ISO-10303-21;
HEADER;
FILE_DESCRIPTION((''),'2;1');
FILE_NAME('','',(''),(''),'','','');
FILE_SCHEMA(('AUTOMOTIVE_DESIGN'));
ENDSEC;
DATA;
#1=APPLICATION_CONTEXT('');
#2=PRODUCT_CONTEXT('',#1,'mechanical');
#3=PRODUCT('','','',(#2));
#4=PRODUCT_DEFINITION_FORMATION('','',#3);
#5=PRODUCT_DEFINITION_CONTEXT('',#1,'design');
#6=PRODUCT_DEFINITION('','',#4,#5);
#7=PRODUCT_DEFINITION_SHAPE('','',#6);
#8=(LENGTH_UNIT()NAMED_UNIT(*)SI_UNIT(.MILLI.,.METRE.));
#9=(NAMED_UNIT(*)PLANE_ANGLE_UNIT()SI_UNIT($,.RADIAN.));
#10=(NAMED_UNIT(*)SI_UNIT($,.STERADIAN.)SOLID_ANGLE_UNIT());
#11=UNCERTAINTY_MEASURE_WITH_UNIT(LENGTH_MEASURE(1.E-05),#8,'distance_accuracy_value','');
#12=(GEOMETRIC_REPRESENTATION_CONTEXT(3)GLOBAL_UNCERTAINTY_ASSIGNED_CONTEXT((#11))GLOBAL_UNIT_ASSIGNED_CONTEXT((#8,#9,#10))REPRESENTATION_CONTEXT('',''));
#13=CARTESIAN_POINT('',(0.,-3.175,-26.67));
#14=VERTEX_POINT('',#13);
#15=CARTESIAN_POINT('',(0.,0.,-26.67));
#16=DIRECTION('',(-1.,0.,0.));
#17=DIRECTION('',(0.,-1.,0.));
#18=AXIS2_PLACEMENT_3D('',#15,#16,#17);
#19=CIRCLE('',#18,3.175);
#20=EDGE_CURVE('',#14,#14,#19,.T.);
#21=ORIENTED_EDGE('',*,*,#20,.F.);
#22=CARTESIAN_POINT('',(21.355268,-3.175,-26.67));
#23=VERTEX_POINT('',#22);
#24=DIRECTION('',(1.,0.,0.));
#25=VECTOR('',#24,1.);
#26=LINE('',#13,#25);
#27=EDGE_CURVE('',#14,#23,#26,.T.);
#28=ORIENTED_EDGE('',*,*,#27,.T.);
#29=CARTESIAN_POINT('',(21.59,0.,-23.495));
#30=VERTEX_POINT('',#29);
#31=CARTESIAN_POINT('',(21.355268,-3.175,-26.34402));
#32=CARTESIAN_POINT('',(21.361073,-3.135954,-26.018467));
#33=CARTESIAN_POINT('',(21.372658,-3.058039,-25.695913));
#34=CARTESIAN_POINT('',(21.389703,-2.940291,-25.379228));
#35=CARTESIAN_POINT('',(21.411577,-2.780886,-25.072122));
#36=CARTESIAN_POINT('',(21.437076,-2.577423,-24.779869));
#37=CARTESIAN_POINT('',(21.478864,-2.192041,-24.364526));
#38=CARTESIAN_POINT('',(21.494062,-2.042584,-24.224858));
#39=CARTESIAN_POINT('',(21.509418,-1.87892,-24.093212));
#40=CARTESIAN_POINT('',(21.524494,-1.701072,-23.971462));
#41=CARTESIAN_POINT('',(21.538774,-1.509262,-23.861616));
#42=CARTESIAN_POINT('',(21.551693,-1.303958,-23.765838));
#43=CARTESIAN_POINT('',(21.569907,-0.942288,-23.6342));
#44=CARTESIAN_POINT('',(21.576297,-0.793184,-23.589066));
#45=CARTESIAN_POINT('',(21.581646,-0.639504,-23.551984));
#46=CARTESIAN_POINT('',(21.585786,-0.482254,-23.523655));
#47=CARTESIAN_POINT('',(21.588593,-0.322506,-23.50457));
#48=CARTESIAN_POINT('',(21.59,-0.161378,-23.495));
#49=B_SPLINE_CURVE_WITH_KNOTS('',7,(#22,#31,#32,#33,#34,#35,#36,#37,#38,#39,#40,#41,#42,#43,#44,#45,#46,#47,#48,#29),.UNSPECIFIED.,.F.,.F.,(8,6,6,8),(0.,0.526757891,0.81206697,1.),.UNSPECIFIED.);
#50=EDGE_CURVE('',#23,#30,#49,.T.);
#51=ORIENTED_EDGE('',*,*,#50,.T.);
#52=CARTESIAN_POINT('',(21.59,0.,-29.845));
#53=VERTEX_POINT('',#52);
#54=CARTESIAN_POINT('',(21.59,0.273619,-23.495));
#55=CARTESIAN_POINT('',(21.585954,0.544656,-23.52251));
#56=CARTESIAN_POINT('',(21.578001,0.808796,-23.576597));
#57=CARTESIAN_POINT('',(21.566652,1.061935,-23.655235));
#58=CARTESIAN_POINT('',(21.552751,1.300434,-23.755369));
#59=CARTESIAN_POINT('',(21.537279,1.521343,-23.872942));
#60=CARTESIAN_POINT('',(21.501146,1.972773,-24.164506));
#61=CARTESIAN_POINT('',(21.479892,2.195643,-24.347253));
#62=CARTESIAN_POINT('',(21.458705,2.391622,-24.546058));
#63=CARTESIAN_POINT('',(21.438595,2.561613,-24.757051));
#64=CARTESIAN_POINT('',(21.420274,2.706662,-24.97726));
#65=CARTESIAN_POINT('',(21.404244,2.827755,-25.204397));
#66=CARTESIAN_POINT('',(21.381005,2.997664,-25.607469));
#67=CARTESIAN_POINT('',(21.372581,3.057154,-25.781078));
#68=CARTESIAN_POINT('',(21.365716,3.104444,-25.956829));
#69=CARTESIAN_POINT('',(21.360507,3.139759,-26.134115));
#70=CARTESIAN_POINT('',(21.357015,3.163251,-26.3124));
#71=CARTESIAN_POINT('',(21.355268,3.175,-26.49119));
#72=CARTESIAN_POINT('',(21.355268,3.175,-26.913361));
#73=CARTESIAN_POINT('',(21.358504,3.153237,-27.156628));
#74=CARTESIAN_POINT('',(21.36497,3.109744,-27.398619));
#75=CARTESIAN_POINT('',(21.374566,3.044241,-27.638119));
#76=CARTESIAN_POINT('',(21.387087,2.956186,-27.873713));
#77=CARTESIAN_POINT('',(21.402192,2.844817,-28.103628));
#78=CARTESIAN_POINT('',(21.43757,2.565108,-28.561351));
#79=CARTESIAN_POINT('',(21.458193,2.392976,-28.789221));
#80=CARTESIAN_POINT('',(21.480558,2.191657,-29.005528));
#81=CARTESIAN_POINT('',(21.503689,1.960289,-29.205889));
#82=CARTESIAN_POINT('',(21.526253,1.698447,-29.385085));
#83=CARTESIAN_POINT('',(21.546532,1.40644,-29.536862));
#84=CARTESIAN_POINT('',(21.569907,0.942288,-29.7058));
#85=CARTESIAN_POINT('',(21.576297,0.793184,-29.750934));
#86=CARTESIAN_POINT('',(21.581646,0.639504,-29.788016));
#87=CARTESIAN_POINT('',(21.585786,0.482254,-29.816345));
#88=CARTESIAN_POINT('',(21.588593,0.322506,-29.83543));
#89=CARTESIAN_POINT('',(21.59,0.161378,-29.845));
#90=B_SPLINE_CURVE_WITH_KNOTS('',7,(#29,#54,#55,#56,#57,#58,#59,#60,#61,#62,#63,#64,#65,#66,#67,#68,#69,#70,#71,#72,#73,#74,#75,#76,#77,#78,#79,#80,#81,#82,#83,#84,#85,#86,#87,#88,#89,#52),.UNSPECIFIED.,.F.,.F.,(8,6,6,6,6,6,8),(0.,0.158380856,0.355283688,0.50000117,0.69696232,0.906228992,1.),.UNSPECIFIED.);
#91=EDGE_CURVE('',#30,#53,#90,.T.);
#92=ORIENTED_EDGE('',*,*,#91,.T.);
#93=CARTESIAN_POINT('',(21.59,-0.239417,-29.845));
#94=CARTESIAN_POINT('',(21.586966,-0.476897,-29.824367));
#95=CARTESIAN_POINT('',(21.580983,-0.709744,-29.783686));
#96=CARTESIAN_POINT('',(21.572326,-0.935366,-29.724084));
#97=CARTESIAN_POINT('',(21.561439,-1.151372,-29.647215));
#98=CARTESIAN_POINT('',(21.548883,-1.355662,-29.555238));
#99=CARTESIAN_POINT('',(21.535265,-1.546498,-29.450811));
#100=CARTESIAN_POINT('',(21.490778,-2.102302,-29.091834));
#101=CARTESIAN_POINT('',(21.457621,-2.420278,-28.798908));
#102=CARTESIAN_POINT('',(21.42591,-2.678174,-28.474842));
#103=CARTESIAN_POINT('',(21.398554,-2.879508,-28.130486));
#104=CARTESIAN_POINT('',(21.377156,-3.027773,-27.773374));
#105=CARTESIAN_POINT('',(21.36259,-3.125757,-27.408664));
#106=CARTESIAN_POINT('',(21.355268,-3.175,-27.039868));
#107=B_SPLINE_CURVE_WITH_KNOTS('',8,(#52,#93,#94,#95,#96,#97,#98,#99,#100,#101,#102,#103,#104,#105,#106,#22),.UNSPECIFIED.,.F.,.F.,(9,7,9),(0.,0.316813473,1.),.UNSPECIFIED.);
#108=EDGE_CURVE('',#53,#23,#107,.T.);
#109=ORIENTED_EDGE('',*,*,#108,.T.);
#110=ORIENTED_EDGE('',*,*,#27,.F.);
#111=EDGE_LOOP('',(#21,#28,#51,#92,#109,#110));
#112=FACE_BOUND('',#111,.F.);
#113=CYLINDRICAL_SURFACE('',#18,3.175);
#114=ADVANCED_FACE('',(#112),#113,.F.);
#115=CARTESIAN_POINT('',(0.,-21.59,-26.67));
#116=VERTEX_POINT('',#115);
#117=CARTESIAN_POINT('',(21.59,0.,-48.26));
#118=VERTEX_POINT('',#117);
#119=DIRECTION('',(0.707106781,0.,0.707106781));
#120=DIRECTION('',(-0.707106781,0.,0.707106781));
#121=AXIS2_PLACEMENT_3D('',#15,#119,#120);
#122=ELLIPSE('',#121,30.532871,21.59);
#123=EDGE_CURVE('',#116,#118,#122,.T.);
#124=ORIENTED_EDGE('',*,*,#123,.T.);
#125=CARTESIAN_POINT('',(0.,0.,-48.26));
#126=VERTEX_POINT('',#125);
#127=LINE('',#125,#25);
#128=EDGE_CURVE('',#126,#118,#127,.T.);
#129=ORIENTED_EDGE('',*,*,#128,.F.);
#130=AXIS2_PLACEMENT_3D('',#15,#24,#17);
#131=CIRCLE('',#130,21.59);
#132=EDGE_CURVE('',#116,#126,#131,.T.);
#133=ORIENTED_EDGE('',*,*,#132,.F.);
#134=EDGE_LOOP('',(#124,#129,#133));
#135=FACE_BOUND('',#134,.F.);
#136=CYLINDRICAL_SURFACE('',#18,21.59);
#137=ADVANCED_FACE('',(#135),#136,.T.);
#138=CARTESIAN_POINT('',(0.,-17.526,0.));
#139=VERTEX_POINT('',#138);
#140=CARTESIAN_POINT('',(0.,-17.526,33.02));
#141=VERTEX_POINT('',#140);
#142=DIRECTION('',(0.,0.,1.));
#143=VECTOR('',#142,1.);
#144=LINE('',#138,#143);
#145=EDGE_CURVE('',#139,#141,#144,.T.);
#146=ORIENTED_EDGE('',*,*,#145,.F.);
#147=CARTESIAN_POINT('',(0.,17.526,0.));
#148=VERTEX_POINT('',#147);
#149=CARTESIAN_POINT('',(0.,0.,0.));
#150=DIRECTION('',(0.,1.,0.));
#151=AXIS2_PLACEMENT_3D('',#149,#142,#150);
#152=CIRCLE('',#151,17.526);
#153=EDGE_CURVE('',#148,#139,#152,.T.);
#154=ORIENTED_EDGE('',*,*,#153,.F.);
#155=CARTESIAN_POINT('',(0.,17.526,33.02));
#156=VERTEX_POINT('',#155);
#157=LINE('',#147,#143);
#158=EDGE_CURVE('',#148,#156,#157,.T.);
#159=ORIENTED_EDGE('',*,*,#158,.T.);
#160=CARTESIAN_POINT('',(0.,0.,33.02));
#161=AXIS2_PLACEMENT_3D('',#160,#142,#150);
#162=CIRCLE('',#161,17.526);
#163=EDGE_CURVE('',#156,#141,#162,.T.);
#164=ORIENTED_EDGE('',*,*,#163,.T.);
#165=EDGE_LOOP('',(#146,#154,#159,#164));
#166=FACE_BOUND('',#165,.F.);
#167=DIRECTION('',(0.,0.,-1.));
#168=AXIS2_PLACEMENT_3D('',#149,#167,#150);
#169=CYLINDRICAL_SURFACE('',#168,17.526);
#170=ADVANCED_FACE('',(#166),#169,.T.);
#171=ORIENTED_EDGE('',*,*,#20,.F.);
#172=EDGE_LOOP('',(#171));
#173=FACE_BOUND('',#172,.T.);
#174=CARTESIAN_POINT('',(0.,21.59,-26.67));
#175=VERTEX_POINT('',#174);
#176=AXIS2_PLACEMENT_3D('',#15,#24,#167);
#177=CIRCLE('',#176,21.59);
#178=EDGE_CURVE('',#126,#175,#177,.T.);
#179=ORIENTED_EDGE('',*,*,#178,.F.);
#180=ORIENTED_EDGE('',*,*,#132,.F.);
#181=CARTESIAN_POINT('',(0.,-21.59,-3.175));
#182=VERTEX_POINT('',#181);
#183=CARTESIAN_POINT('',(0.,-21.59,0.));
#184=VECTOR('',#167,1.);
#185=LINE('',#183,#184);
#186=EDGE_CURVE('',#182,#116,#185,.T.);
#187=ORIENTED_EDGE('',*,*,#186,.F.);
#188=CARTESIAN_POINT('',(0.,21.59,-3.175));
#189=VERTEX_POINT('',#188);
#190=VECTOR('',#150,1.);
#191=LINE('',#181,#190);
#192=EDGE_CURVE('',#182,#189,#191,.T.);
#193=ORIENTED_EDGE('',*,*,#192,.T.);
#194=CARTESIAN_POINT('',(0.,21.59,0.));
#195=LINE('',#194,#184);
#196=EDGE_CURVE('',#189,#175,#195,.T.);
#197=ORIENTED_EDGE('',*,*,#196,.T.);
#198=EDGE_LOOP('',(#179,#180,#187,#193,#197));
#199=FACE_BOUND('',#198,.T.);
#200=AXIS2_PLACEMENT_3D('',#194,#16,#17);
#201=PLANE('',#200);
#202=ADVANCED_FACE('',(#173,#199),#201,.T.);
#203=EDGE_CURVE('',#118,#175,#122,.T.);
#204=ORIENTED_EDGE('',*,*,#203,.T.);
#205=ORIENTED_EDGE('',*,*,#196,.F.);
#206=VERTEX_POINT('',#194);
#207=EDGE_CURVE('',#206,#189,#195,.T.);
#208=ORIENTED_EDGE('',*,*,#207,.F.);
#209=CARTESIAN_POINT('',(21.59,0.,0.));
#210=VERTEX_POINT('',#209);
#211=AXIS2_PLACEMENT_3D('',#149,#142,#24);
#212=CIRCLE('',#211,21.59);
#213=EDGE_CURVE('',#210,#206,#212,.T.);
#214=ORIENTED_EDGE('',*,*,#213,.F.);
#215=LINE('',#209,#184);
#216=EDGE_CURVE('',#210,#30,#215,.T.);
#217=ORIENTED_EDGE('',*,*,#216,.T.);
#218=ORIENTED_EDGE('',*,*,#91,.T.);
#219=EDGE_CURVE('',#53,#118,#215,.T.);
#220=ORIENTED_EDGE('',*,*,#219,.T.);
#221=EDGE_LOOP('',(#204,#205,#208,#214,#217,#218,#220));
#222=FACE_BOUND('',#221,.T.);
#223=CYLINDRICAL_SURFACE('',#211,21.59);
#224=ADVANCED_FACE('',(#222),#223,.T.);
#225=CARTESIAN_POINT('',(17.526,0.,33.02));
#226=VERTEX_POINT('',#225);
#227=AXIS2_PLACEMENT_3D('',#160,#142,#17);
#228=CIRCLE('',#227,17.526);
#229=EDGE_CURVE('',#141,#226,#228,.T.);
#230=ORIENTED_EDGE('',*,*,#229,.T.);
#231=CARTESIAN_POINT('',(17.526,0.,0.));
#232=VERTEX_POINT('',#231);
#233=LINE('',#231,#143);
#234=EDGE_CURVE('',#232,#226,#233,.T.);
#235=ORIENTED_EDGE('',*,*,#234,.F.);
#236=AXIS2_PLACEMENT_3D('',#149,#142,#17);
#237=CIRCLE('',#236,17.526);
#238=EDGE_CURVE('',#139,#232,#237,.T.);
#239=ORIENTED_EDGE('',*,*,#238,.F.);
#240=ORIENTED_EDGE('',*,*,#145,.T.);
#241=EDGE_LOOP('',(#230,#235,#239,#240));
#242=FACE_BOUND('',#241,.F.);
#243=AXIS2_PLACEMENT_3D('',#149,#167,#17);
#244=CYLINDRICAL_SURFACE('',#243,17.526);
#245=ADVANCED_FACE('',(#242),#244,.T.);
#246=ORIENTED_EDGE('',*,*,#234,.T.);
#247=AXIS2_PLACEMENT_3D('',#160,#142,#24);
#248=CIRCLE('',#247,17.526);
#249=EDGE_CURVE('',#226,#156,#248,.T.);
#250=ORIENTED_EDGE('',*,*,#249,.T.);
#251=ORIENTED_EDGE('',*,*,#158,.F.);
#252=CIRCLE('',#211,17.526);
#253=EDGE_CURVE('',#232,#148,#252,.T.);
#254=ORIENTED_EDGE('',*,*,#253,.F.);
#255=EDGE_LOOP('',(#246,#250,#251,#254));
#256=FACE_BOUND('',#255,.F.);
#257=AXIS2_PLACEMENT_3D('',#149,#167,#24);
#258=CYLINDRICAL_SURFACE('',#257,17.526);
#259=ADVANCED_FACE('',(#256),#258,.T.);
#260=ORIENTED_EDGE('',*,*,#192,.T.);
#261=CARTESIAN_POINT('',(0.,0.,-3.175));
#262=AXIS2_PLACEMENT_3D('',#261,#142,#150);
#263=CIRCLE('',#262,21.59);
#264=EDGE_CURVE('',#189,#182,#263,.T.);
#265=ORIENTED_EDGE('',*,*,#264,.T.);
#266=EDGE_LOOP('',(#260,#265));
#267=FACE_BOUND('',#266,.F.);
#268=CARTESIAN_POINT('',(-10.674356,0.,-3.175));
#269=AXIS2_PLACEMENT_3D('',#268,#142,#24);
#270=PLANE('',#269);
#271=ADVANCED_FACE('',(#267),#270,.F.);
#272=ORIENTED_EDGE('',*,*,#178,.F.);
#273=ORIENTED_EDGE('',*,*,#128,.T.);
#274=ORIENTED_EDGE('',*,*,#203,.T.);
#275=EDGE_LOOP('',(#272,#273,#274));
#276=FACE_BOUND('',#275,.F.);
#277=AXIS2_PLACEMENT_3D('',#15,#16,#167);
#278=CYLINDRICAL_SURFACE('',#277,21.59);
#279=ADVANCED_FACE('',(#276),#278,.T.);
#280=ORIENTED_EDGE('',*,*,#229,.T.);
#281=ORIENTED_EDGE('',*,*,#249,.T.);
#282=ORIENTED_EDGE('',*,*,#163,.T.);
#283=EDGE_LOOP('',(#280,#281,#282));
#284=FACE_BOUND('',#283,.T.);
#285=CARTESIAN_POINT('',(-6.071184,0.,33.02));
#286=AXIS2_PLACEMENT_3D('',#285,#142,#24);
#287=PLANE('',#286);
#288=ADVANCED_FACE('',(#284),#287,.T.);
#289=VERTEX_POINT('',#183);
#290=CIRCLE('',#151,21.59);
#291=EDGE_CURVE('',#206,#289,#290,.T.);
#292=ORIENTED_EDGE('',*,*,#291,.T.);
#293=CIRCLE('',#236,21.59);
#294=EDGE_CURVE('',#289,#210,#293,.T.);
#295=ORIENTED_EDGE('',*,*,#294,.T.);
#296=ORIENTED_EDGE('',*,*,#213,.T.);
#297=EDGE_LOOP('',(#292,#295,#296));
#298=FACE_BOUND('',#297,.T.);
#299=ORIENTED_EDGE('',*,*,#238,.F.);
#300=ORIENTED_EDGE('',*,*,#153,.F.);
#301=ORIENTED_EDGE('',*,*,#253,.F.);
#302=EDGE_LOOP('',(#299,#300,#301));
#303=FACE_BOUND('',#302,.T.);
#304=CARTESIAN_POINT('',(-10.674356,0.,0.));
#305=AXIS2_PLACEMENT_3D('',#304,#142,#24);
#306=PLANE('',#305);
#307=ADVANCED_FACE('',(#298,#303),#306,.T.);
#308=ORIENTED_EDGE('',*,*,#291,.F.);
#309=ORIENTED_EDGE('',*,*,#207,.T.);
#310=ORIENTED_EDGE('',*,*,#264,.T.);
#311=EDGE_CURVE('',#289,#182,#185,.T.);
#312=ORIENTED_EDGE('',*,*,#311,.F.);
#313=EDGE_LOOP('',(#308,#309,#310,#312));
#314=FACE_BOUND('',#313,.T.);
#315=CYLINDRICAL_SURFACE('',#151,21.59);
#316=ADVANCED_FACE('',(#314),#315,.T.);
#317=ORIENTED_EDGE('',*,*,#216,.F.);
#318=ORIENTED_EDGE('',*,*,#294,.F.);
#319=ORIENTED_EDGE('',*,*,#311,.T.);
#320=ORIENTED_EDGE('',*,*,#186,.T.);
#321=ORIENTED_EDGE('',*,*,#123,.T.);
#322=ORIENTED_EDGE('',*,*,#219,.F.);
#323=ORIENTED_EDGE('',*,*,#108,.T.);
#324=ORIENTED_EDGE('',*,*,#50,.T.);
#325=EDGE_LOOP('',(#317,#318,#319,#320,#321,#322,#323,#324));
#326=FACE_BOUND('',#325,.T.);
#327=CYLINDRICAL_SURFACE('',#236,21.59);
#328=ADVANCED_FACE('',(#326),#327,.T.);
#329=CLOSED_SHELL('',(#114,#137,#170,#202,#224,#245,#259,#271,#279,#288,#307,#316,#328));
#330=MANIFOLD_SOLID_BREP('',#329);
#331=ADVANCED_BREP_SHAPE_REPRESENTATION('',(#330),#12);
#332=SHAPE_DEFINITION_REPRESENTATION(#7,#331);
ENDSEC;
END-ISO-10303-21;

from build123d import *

# Parameters (mm, degrees)
F1_DEPTH = 33.02
F2_DEPTH = 48.26
F3_DEPTH = 3.175
F5_DEPTH = 21.591


with BuildPart() as f1:
    # F0 (on Top) → F1 (new body)
    with BuildSketch(Plane.XY):
        with BuildLine():
            Line((0, -17.526), (0, 17.526))
            ThreePointArc((0, 17.526), (-17.526, 0), (0, -17.526))
        make_face()
        with BuildLine():
            ThreePointArc((0, -17.526), (12.3927534471, -12.3927534471), (17.526, 0))
            ThreePointArc((17.526, 0), (12.3927534471, 12.3927534471), (0, 17.526))
            Line((0, 17.526), (0, -17.526))
        make_face()
    extrude(amount=F1_DEPTH)

    # F0 (on Top) → F2 (join)
    with BuildSketch(Plane.XY):
        with BuildLine():
            ThreePointArc((0, -17.526), (12.3927534471, -12.3927534471), (17.526, 0))
            ThreePointArc((17.526, 0), (12.3927534471, 12.3927534471), (0, 17.526))
            Line((0, 17.526), (0, -17.526))
        make_face()
        with BuildLine():
            ThreePointArc((0, 17.526), (12.3927534471, 12.3927534471), (17.526, 0))
            ThreePointArc((17.526, 0), (12.3927534471, -12.3927534471), (0, -17.526))
            Line((0, -17.526), (0, -21.59))
            ThreePointArc((0, -21.59), (15.2664354058, -15.2664354058), (21.59, 0))
            ThreePointArc((21.59, 0), (15.2664354058, 15.2664354058), (0, 21.59))
            Line((0, 21.59), (0, 17.526))
        make_face()
    extrude(amount=-F2_DEPTH)

    # F0 (on Top) → F3 (join)
    with BuildSketch(Plane.XY):
        with BuildLine():
            ThreePointArc((0, -17.526), (-17.526, 0), (0, 17.526))
            Line((0, 17.526), (0, 21.59))
            ThreePointArc((0, 21.59), (-21.59, 0), (0, -21.59))
            Line((0, -21.59), (0, -17.526))
        make_face()
        with BuildLine():
            Line((0, -17.526), (0, 17.526))
            ThreePointArc((0, 17.526), (-17.526, 0), (0, -17.526))
        make_face()
    extrude(amount=-F3_DEPTH)

    # F4 (on face) → F5 (cut, through all)
    with BuildSketch(Plane(origin=(0, 0, 0), x_dir=(0, -1, 0), z_dir=(-1, 0, 0))):
        with BuildLine():
            ThreePointArc((-3.175, -26.67), (0, -29.845), (3.175, -26.67))
            Line((3.175, -26.67), (-3.175, -26.67))
        make_face()
        with BuildLine():
            Line((-3.175, -26.67), (3.175, -26.67))
            ThreePointArc((3.175, -26.67), (0, -23.495), (-3.175, -26.67))
        make_face()
        with BuildLine():
            ThreePointArc((0, -48.26), (-15.2664354058, -41.9364354058), (-21.59, -26.67))
            Line((-21.59, -26.67), (-21.59, -48.26))
            Line((-21.59, -48.26), (0, -48.26))
        make_face()
        with BuildLine():
            Line((21.59, -48.26), (21.59, -26.67))
            ThreePointArc((21.59, -26.67), (15.2664354058, -41.9364354058), (0, -48.26))
            Line((0, -48.26), (21.59, -48.26))
        make_face()
    extrude(amount=-F5_DEPTH, mode=Mode.SUBTRACT)


solid = f1.part
